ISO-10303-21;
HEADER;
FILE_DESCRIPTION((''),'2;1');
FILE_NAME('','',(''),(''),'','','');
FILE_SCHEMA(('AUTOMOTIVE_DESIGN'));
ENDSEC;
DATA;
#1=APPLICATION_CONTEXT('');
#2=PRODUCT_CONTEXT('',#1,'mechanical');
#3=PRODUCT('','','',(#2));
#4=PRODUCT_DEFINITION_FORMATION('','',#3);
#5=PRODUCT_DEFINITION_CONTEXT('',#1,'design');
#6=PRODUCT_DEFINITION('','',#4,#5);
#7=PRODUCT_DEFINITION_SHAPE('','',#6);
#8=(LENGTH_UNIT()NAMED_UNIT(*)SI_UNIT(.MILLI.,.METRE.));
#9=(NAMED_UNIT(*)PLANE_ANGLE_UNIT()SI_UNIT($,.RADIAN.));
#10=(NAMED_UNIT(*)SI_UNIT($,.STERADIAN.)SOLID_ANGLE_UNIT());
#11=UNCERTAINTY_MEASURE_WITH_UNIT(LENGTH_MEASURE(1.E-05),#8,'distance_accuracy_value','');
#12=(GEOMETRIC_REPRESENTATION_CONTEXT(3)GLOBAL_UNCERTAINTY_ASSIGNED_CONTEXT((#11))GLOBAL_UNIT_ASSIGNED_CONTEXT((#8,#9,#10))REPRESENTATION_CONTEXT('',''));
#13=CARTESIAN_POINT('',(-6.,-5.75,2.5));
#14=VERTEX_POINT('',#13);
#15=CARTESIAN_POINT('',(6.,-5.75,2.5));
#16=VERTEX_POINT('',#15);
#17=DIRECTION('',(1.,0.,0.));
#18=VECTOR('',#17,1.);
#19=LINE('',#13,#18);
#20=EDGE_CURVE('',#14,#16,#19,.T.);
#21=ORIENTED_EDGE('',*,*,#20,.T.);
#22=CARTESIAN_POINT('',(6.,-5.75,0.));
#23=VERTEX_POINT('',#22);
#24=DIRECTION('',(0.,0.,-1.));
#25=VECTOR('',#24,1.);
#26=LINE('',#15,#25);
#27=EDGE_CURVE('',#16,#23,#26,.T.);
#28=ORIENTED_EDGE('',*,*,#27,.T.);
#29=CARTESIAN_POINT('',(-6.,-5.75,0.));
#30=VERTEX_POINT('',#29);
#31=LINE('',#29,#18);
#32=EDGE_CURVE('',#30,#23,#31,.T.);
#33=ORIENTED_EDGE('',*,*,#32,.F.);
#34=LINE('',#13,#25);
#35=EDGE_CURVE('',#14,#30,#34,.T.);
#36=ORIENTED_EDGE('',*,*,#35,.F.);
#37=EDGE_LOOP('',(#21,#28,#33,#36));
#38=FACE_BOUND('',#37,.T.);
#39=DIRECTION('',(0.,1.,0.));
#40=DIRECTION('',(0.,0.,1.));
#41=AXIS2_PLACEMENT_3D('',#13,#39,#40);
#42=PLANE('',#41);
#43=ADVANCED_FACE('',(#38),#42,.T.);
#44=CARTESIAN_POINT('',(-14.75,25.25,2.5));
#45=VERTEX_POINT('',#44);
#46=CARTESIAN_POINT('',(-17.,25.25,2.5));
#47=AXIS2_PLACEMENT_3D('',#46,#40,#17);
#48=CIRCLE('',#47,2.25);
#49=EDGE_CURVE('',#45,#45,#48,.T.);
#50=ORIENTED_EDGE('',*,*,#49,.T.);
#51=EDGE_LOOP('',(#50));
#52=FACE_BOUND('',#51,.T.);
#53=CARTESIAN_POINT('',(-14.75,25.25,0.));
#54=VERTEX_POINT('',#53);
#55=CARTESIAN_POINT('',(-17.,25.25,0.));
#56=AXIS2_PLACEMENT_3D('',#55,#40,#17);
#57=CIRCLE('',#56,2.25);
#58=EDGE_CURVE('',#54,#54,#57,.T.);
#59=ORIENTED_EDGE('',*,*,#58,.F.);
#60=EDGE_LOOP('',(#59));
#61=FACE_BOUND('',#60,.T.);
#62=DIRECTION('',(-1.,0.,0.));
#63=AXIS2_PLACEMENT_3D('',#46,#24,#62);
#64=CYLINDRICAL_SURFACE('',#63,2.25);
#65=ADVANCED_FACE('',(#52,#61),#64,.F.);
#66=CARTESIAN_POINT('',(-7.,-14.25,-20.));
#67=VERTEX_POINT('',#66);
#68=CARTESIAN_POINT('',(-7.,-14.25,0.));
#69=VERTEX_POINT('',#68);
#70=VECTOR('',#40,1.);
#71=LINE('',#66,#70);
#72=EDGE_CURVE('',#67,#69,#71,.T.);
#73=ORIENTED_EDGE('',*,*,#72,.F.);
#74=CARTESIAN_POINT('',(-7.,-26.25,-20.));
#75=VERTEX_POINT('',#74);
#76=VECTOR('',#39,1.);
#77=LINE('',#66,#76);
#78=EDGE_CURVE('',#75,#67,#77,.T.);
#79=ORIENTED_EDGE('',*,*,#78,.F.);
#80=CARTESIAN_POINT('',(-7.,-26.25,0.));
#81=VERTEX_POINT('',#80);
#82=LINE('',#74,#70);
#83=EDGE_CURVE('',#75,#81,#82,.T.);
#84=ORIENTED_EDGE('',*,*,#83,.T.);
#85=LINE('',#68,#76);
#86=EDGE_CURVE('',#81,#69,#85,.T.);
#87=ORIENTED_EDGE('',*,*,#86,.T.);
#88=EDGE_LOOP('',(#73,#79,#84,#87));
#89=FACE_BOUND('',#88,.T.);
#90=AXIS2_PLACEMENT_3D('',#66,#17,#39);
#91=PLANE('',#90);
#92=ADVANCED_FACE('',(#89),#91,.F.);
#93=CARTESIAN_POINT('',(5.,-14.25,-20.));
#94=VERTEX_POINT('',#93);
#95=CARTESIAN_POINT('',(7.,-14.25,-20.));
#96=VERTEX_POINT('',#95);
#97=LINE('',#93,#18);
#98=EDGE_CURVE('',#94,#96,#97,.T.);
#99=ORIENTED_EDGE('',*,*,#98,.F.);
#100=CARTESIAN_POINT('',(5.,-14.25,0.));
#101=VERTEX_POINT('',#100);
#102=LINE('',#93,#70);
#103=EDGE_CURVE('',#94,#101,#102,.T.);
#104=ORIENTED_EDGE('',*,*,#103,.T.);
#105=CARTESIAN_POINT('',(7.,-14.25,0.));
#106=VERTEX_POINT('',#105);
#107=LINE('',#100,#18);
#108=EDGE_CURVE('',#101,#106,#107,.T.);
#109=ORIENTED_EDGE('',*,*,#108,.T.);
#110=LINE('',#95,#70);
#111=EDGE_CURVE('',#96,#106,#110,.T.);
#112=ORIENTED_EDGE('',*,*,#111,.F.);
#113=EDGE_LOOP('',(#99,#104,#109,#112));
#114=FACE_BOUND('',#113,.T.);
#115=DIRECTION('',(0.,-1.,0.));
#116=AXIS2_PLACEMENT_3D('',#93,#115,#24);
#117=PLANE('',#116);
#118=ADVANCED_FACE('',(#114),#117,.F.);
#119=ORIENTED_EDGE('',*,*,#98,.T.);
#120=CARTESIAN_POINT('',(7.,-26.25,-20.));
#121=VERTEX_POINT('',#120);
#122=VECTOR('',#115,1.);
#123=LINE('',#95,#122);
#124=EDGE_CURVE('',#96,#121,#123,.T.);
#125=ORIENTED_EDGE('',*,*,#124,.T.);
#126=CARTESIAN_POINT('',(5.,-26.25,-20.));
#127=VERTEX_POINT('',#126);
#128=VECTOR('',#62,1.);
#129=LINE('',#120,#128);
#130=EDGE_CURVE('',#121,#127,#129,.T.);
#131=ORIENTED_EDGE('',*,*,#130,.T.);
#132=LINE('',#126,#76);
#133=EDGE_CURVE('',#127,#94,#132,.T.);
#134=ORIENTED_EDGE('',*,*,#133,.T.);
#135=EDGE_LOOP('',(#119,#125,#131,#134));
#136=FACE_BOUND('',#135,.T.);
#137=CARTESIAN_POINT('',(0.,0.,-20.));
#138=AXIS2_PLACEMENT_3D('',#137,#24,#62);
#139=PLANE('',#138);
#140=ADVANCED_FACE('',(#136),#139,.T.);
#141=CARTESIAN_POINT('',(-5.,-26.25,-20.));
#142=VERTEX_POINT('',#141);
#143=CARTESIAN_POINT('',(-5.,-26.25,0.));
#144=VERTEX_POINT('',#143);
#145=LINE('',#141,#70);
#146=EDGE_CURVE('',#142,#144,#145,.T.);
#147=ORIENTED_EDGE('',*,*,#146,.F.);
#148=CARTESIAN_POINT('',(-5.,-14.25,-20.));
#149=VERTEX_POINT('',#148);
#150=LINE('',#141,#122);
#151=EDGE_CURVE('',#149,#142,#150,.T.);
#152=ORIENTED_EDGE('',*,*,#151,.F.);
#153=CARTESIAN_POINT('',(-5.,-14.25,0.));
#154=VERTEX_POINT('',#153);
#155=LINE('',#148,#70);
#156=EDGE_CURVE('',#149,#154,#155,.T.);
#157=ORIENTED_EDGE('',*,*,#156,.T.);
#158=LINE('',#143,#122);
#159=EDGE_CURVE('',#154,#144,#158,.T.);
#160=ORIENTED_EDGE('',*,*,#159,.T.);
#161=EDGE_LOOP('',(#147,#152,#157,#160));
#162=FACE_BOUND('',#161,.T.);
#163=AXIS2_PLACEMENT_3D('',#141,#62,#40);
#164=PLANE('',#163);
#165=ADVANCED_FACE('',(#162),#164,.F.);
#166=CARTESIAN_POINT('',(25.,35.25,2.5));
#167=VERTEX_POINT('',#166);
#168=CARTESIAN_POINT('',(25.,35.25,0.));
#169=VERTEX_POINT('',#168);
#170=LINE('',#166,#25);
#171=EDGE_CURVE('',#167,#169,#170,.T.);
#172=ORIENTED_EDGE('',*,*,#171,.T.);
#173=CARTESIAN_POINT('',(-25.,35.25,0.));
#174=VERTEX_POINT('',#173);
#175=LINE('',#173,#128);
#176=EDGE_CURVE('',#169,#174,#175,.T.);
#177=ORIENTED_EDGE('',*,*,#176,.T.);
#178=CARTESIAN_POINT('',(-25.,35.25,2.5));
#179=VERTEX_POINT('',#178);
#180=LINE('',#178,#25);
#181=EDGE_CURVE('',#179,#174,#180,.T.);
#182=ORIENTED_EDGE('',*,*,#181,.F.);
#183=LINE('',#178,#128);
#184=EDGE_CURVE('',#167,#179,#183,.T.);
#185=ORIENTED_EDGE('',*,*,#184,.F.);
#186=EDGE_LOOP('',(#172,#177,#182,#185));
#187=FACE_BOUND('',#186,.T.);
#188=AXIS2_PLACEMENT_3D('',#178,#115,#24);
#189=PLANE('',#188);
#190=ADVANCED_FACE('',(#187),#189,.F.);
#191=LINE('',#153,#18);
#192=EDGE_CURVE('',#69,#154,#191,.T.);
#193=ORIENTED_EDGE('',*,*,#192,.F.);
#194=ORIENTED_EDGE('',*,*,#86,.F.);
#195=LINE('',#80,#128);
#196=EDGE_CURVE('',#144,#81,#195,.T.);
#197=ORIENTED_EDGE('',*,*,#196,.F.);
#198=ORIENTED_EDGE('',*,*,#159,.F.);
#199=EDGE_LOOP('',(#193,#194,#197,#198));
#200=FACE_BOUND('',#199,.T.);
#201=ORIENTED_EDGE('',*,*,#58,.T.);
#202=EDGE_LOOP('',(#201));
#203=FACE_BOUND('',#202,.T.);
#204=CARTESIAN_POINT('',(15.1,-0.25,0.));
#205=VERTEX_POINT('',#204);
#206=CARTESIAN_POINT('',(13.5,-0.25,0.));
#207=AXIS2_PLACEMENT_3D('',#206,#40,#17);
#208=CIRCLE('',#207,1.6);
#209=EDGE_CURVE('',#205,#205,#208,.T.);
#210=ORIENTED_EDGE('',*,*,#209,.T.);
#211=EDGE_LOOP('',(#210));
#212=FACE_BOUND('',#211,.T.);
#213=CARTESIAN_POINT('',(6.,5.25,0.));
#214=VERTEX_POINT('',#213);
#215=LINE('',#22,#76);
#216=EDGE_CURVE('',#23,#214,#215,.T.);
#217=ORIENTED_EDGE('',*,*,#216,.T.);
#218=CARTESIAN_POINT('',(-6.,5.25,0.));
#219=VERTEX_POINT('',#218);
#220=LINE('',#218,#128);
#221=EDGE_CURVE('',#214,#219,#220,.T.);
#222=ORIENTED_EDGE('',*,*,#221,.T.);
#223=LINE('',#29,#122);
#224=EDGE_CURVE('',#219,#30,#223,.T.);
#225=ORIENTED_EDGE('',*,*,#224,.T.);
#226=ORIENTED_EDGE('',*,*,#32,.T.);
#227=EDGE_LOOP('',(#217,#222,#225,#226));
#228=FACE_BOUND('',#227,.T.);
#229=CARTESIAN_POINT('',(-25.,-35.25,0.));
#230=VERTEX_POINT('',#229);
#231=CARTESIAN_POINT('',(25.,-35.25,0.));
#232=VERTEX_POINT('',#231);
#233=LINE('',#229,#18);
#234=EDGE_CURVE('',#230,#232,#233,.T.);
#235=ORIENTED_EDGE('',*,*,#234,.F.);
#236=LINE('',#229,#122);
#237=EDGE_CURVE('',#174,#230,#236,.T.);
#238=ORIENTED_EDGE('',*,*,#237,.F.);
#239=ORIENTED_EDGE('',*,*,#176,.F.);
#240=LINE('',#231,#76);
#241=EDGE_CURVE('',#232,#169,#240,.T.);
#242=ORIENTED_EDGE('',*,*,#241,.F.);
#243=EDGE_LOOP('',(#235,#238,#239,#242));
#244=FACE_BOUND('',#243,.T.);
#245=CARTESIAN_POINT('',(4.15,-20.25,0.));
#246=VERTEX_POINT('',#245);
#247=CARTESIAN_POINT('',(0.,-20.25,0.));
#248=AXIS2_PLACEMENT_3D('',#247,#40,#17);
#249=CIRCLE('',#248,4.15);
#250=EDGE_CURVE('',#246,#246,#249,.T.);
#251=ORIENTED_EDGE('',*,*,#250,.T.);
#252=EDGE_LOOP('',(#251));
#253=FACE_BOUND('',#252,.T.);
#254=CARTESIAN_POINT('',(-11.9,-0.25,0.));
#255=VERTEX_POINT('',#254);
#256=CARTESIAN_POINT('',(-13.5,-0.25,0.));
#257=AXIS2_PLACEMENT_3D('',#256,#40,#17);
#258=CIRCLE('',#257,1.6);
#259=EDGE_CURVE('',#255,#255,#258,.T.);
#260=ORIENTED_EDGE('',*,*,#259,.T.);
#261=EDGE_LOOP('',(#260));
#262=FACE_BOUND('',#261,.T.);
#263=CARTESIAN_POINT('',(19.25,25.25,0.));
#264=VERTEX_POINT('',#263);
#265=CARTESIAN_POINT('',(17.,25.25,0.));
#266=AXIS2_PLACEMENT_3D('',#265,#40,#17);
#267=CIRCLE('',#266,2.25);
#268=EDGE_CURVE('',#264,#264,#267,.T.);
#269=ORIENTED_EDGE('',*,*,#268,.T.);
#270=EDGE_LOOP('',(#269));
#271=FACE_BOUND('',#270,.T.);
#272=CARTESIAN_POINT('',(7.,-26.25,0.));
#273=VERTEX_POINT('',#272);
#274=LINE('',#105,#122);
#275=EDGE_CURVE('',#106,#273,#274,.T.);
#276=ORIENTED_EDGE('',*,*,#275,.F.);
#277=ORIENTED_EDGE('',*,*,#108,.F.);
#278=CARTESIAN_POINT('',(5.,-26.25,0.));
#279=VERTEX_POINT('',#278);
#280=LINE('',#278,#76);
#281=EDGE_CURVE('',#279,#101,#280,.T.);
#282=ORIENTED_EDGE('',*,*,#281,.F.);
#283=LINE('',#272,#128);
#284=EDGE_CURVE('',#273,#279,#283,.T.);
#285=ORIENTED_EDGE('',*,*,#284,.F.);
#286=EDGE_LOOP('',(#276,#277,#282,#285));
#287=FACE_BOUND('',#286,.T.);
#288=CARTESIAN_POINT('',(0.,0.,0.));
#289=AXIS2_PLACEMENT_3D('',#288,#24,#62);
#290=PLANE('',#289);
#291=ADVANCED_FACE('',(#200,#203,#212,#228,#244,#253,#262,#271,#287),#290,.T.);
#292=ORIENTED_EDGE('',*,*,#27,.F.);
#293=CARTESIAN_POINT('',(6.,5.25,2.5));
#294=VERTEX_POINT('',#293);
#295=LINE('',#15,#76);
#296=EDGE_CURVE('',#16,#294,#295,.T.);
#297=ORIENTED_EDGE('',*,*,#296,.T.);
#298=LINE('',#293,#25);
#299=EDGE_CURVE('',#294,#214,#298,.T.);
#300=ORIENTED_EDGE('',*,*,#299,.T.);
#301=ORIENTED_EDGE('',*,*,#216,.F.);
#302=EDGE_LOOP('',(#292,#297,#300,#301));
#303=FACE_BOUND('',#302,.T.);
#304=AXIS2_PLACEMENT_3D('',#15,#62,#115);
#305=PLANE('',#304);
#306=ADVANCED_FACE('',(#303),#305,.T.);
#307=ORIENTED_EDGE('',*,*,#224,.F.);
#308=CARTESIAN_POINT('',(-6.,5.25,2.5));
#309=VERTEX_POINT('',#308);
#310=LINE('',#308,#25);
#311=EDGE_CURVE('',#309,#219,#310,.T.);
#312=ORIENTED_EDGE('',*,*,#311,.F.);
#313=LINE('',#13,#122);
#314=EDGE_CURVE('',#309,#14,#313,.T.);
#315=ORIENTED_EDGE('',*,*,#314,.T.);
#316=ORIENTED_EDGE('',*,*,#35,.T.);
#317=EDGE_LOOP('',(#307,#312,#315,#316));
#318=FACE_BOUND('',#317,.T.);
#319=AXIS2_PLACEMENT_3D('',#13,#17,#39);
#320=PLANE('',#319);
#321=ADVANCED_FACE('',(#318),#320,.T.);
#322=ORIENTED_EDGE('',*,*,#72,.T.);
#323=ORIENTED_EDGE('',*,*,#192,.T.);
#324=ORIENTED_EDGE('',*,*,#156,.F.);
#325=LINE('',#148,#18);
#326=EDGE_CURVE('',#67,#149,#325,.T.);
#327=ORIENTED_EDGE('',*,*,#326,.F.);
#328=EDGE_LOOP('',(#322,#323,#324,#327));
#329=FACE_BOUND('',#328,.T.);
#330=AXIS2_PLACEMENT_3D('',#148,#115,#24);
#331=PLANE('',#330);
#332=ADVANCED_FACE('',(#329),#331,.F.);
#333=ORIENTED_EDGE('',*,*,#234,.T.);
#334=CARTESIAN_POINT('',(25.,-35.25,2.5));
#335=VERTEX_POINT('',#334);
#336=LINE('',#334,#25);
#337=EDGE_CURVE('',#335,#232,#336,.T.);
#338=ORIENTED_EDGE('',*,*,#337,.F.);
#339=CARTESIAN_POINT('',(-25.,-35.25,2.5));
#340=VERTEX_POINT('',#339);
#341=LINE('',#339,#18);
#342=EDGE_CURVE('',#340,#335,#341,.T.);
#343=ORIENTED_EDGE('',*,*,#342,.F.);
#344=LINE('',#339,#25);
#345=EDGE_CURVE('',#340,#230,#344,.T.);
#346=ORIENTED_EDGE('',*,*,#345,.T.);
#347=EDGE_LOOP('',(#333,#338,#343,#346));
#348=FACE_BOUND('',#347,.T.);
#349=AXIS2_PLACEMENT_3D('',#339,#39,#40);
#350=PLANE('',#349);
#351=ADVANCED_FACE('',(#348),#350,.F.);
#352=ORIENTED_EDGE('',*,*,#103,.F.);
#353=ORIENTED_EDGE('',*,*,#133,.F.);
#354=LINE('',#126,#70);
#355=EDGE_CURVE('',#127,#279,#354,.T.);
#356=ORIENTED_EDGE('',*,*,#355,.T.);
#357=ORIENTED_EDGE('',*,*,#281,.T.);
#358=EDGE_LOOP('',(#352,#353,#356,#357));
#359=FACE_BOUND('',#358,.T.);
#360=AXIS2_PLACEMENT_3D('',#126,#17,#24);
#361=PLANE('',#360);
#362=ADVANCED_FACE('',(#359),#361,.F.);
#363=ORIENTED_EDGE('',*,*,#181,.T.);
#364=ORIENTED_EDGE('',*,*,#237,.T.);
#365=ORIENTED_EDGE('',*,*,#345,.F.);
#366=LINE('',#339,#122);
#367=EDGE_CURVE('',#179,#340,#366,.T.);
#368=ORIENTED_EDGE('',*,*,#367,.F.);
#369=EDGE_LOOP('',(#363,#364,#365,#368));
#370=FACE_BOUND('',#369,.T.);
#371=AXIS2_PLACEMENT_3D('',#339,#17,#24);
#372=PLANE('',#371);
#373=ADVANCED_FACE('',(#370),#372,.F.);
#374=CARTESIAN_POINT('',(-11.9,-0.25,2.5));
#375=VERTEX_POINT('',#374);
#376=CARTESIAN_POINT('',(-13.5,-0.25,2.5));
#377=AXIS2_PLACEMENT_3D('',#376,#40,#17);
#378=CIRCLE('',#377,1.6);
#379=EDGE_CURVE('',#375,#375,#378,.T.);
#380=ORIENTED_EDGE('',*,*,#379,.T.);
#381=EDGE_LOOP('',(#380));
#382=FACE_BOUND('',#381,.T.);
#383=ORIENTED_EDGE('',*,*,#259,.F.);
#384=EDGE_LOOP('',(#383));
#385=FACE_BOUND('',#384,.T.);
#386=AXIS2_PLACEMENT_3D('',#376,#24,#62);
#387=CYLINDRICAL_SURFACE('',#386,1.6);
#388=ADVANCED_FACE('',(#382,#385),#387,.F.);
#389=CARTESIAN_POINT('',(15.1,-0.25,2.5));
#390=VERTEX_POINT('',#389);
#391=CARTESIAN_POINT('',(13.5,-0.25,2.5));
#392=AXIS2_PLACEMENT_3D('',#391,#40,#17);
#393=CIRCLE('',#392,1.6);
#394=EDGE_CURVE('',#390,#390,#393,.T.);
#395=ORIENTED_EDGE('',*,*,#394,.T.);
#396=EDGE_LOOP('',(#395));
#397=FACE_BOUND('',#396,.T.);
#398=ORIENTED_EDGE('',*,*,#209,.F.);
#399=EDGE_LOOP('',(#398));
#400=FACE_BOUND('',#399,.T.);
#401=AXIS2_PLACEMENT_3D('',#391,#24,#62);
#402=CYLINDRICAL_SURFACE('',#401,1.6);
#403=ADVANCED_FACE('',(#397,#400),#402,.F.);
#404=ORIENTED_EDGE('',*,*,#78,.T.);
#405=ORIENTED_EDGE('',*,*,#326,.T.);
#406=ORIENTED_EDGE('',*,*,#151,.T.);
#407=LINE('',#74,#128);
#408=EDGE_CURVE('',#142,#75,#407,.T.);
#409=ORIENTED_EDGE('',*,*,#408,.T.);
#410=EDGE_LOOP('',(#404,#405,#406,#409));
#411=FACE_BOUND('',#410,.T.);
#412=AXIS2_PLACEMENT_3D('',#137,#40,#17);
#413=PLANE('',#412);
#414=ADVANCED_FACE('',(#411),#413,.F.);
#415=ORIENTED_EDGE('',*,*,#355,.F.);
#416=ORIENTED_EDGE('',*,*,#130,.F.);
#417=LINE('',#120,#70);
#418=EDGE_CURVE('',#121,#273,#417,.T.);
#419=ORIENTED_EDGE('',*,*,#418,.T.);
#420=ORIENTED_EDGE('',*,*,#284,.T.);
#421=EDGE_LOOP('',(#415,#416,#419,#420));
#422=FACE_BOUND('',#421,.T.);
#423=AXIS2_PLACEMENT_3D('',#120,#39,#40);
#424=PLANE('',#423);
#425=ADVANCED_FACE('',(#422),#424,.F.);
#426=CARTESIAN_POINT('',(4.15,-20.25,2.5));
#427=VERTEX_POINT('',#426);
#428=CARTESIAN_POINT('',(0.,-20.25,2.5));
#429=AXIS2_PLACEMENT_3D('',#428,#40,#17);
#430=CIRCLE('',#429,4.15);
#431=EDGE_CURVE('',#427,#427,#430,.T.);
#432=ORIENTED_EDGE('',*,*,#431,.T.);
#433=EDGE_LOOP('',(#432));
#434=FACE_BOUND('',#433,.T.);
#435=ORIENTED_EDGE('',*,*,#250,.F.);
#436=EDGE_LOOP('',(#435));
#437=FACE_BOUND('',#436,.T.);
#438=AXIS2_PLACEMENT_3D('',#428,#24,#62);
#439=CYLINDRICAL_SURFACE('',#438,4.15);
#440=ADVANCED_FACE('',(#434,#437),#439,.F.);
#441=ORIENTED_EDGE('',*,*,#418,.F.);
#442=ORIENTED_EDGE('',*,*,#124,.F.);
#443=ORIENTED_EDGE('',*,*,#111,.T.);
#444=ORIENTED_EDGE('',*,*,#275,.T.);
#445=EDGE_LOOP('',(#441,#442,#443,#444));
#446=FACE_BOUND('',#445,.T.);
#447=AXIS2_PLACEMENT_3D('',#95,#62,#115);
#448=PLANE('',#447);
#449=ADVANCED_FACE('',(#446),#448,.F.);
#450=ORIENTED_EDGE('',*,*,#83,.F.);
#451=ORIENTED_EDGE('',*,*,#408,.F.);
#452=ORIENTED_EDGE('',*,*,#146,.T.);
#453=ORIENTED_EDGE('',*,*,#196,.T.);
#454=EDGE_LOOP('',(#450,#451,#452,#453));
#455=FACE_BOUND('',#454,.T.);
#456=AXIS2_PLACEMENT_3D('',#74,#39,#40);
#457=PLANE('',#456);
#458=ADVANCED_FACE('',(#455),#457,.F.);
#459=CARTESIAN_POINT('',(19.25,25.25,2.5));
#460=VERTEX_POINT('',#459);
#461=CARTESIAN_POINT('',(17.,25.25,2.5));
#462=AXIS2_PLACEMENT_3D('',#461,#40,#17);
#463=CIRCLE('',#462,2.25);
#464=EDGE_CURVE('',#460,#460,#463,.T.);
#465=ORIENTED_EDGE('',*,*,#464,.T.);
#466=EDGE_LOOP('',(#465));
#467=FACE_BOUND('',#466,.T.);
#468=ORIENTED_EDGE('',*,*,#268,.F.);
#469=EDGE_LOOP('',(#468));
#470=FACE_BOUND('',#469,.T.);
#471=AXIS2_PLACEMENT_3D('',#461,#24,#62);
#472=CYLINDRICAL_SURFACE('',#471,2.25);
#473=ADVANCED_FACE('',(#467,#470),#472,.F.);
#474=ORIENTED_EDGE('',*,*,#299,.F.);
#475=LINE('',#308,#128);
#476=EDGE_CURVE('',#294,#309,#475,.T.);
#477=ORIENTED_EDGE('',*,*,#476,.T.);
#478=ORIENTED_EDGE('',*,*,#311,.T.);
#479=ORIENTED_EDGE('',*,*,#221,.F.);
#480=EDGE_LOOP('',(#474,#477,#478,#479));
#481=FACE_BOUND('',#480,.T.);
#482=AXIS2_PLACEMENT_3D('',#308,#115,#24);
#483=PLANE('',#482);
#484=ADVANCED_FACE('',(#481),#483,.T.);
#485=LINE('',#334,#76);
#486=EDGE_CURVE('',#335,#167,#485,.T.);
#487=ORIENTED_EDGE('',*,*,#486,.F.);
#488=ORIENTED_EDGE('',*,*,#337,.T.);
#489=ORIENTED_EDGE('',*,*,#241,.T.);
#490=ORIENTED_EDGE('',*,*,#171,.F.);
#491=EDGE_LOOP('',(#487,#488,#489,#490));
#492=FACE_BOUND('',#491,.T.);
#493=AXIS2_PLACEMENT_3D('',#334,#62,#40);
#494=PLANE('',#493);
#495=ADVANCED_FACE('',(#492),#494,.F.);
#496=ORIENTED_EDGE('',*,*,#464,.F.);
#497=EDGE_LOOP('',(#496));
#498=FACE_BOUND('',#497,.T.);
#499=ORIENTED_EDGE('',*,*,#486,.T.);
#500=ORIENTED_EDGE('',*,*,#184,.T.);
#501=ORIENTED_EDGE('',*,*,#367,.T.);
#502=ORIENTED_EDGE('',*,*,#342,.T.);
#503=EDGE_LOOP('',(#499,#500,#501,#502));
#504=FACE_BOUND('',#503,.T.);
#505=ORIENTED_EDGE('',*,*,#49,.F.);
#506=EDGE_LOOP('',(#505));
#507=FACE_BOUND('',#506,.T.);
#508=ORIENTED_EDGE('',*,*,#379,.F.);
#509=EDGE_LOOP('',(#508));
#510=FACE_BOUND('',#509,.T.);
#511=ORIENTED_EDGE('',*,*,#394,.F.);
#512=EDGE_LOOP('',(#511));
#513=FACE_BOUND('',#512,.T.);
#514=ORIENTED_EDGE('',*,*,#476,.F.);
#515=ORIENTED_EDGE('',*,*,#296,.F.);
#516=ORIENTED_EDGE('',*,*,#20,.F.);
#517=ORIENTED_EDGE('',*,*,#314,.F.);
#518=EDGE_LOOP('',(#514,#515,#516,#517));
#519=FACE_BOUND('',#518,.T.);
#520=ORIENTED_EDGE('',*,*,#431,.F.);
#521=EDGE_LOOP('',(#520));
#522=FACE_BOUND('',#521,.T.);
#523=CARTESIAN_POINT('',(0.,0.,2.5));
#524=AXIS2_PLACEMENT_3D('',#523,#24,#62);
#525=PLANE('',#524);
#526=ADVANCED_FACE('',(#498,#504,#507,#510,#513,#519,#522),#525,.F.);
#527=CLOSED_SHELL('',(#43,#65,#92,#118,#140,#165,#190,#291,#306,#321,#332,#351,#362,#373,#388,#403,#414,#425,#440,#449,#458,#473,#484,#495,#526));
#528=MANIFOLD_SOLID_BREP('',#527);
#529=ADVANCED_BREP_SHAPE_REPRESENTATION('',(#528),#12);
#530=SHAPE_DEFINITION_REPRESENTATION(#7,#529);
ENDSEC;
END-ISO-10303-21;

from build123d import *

# Parameters (mm, degrees)
SKETCH1_W           = 50
SKETCH1_H           = 70.5
SKETCH1_R           = 2.25
SKETCH1_R_2         = 1.6
SKETCH1_R_3         = 4.15
SKETCH1_W_2         = 12
SKETCH1_H_2         = 11
BOSS_EXTRUDE1_DEPTH = 2.5
SKETCH2_W           = 2
SKETCH2_H           = 12
BOSS_EXTRUDE2_DEPTH = 20


with BuildPart() as part:
    # Sketch1 → Boss-Extrude1 (new body)
    with BuildSketch(Plane.XY):
        Rectangle(SKETCH1_W, SKETCH1_H)
        with Locations((-17, 25.25)):
            Circle(SKETCH1_R, mode=Mode.SUBTRACT)
        with Locations((17, 25.25)):
            Circle(SKETCH1_R, mode=Mode.SUBTRACT)
        with Locations((-13.5, -0.25)):
            Circle(SKETCH1_R_2, mode=Mode.SUBTRACT)
        with Locations((13.5, -0.25)):
            Circle(SKETCH1_R_2, mode=Mode.SUBTRACT)
        with Locations((0, -20.25)):
            Circle(SKETCH1_R_3, mode=Mode.SUBTRACT)
        with Locations((0, -0.25)):
            Rectangle(SKETCH1_W_2, SKETCH1_H_2, mode=Mode.SUBTRACT)
    extrude(amount=BOSS_EXTRUDE1_DEPTH)

    # Sketch2 → Boss-Extrude2 (add)
    with BuildSketch(Plane(origin=(0, 0, 0), x_dir=(-1, 0, 0), z_dir=(0, 0, -1))):
        with Locations((6, -20.25)):
            Rectangle(SKETCH2_W, SKETCH2_H)
        with Locations((-6, -20.25)):
            Rectangle(SKETCH2_W, SKETCH2_H)
    extrude(amount=BOSS_EXTRUDE2_DEPTH)


solid = part.part
